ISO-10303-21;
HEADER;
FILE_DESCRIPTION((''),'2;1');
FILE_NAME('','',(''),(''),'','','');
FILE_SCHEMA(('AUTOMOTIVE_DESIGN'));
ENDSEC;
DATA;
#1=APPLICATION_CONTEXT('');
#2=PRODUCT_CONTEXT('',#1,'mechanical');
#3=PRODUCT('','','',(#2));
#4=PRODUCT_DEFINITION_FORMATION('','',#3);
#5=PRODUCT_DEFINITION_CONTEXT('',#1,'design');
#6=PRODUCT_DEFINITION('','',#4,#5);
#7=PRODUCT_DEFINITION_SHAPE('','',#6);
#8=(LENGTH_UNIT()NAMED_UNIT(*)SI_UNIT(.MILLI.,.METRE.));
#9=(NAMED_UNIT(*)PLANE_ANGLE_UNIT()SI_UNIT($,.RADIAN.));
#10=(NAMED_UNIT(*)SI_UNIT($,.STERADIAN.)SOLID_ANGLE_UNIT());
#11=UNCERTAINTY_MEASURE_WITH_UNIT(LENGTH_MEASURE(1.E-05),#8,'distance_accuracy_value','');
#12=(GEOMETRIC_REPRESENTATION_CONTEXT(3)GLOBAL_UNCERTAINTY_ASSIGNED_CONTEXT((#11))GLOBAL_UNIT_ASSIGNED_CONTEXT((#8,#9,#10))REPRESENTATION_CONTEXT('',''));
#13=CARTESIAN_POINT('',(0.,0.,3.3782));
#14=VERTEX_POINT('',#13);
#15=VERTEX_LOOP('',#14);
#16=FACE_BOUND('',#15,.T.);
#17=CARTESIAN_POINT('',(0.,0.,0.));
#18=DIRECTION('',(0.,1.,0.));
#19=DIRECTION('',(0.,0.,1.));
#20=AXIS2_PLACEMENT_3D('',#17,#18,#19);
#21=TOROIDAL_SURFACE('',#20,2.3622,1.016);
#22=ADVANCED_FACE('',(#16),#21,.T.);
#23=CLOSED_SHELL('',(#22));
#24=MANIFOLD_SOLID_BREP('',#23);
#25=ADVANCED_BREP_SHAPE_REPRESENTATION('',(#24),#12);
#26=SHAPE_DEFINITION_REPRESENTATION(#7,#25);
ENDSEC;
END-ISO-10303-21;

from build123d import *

# Parameters (mm, degrees)
SKETCH1_R = 1.016


with BuildPart() as part:
    # Sketch1 → Revolve1 (revolve)
    with BuildSketch(Plane.XY):
        with Locations((2.3622, 0)):
            Circle(SKETCH1_R)
    revolve(axis=Axis((0, 1.691755682, 0), (0, -1, 0)))


solid = part.part
